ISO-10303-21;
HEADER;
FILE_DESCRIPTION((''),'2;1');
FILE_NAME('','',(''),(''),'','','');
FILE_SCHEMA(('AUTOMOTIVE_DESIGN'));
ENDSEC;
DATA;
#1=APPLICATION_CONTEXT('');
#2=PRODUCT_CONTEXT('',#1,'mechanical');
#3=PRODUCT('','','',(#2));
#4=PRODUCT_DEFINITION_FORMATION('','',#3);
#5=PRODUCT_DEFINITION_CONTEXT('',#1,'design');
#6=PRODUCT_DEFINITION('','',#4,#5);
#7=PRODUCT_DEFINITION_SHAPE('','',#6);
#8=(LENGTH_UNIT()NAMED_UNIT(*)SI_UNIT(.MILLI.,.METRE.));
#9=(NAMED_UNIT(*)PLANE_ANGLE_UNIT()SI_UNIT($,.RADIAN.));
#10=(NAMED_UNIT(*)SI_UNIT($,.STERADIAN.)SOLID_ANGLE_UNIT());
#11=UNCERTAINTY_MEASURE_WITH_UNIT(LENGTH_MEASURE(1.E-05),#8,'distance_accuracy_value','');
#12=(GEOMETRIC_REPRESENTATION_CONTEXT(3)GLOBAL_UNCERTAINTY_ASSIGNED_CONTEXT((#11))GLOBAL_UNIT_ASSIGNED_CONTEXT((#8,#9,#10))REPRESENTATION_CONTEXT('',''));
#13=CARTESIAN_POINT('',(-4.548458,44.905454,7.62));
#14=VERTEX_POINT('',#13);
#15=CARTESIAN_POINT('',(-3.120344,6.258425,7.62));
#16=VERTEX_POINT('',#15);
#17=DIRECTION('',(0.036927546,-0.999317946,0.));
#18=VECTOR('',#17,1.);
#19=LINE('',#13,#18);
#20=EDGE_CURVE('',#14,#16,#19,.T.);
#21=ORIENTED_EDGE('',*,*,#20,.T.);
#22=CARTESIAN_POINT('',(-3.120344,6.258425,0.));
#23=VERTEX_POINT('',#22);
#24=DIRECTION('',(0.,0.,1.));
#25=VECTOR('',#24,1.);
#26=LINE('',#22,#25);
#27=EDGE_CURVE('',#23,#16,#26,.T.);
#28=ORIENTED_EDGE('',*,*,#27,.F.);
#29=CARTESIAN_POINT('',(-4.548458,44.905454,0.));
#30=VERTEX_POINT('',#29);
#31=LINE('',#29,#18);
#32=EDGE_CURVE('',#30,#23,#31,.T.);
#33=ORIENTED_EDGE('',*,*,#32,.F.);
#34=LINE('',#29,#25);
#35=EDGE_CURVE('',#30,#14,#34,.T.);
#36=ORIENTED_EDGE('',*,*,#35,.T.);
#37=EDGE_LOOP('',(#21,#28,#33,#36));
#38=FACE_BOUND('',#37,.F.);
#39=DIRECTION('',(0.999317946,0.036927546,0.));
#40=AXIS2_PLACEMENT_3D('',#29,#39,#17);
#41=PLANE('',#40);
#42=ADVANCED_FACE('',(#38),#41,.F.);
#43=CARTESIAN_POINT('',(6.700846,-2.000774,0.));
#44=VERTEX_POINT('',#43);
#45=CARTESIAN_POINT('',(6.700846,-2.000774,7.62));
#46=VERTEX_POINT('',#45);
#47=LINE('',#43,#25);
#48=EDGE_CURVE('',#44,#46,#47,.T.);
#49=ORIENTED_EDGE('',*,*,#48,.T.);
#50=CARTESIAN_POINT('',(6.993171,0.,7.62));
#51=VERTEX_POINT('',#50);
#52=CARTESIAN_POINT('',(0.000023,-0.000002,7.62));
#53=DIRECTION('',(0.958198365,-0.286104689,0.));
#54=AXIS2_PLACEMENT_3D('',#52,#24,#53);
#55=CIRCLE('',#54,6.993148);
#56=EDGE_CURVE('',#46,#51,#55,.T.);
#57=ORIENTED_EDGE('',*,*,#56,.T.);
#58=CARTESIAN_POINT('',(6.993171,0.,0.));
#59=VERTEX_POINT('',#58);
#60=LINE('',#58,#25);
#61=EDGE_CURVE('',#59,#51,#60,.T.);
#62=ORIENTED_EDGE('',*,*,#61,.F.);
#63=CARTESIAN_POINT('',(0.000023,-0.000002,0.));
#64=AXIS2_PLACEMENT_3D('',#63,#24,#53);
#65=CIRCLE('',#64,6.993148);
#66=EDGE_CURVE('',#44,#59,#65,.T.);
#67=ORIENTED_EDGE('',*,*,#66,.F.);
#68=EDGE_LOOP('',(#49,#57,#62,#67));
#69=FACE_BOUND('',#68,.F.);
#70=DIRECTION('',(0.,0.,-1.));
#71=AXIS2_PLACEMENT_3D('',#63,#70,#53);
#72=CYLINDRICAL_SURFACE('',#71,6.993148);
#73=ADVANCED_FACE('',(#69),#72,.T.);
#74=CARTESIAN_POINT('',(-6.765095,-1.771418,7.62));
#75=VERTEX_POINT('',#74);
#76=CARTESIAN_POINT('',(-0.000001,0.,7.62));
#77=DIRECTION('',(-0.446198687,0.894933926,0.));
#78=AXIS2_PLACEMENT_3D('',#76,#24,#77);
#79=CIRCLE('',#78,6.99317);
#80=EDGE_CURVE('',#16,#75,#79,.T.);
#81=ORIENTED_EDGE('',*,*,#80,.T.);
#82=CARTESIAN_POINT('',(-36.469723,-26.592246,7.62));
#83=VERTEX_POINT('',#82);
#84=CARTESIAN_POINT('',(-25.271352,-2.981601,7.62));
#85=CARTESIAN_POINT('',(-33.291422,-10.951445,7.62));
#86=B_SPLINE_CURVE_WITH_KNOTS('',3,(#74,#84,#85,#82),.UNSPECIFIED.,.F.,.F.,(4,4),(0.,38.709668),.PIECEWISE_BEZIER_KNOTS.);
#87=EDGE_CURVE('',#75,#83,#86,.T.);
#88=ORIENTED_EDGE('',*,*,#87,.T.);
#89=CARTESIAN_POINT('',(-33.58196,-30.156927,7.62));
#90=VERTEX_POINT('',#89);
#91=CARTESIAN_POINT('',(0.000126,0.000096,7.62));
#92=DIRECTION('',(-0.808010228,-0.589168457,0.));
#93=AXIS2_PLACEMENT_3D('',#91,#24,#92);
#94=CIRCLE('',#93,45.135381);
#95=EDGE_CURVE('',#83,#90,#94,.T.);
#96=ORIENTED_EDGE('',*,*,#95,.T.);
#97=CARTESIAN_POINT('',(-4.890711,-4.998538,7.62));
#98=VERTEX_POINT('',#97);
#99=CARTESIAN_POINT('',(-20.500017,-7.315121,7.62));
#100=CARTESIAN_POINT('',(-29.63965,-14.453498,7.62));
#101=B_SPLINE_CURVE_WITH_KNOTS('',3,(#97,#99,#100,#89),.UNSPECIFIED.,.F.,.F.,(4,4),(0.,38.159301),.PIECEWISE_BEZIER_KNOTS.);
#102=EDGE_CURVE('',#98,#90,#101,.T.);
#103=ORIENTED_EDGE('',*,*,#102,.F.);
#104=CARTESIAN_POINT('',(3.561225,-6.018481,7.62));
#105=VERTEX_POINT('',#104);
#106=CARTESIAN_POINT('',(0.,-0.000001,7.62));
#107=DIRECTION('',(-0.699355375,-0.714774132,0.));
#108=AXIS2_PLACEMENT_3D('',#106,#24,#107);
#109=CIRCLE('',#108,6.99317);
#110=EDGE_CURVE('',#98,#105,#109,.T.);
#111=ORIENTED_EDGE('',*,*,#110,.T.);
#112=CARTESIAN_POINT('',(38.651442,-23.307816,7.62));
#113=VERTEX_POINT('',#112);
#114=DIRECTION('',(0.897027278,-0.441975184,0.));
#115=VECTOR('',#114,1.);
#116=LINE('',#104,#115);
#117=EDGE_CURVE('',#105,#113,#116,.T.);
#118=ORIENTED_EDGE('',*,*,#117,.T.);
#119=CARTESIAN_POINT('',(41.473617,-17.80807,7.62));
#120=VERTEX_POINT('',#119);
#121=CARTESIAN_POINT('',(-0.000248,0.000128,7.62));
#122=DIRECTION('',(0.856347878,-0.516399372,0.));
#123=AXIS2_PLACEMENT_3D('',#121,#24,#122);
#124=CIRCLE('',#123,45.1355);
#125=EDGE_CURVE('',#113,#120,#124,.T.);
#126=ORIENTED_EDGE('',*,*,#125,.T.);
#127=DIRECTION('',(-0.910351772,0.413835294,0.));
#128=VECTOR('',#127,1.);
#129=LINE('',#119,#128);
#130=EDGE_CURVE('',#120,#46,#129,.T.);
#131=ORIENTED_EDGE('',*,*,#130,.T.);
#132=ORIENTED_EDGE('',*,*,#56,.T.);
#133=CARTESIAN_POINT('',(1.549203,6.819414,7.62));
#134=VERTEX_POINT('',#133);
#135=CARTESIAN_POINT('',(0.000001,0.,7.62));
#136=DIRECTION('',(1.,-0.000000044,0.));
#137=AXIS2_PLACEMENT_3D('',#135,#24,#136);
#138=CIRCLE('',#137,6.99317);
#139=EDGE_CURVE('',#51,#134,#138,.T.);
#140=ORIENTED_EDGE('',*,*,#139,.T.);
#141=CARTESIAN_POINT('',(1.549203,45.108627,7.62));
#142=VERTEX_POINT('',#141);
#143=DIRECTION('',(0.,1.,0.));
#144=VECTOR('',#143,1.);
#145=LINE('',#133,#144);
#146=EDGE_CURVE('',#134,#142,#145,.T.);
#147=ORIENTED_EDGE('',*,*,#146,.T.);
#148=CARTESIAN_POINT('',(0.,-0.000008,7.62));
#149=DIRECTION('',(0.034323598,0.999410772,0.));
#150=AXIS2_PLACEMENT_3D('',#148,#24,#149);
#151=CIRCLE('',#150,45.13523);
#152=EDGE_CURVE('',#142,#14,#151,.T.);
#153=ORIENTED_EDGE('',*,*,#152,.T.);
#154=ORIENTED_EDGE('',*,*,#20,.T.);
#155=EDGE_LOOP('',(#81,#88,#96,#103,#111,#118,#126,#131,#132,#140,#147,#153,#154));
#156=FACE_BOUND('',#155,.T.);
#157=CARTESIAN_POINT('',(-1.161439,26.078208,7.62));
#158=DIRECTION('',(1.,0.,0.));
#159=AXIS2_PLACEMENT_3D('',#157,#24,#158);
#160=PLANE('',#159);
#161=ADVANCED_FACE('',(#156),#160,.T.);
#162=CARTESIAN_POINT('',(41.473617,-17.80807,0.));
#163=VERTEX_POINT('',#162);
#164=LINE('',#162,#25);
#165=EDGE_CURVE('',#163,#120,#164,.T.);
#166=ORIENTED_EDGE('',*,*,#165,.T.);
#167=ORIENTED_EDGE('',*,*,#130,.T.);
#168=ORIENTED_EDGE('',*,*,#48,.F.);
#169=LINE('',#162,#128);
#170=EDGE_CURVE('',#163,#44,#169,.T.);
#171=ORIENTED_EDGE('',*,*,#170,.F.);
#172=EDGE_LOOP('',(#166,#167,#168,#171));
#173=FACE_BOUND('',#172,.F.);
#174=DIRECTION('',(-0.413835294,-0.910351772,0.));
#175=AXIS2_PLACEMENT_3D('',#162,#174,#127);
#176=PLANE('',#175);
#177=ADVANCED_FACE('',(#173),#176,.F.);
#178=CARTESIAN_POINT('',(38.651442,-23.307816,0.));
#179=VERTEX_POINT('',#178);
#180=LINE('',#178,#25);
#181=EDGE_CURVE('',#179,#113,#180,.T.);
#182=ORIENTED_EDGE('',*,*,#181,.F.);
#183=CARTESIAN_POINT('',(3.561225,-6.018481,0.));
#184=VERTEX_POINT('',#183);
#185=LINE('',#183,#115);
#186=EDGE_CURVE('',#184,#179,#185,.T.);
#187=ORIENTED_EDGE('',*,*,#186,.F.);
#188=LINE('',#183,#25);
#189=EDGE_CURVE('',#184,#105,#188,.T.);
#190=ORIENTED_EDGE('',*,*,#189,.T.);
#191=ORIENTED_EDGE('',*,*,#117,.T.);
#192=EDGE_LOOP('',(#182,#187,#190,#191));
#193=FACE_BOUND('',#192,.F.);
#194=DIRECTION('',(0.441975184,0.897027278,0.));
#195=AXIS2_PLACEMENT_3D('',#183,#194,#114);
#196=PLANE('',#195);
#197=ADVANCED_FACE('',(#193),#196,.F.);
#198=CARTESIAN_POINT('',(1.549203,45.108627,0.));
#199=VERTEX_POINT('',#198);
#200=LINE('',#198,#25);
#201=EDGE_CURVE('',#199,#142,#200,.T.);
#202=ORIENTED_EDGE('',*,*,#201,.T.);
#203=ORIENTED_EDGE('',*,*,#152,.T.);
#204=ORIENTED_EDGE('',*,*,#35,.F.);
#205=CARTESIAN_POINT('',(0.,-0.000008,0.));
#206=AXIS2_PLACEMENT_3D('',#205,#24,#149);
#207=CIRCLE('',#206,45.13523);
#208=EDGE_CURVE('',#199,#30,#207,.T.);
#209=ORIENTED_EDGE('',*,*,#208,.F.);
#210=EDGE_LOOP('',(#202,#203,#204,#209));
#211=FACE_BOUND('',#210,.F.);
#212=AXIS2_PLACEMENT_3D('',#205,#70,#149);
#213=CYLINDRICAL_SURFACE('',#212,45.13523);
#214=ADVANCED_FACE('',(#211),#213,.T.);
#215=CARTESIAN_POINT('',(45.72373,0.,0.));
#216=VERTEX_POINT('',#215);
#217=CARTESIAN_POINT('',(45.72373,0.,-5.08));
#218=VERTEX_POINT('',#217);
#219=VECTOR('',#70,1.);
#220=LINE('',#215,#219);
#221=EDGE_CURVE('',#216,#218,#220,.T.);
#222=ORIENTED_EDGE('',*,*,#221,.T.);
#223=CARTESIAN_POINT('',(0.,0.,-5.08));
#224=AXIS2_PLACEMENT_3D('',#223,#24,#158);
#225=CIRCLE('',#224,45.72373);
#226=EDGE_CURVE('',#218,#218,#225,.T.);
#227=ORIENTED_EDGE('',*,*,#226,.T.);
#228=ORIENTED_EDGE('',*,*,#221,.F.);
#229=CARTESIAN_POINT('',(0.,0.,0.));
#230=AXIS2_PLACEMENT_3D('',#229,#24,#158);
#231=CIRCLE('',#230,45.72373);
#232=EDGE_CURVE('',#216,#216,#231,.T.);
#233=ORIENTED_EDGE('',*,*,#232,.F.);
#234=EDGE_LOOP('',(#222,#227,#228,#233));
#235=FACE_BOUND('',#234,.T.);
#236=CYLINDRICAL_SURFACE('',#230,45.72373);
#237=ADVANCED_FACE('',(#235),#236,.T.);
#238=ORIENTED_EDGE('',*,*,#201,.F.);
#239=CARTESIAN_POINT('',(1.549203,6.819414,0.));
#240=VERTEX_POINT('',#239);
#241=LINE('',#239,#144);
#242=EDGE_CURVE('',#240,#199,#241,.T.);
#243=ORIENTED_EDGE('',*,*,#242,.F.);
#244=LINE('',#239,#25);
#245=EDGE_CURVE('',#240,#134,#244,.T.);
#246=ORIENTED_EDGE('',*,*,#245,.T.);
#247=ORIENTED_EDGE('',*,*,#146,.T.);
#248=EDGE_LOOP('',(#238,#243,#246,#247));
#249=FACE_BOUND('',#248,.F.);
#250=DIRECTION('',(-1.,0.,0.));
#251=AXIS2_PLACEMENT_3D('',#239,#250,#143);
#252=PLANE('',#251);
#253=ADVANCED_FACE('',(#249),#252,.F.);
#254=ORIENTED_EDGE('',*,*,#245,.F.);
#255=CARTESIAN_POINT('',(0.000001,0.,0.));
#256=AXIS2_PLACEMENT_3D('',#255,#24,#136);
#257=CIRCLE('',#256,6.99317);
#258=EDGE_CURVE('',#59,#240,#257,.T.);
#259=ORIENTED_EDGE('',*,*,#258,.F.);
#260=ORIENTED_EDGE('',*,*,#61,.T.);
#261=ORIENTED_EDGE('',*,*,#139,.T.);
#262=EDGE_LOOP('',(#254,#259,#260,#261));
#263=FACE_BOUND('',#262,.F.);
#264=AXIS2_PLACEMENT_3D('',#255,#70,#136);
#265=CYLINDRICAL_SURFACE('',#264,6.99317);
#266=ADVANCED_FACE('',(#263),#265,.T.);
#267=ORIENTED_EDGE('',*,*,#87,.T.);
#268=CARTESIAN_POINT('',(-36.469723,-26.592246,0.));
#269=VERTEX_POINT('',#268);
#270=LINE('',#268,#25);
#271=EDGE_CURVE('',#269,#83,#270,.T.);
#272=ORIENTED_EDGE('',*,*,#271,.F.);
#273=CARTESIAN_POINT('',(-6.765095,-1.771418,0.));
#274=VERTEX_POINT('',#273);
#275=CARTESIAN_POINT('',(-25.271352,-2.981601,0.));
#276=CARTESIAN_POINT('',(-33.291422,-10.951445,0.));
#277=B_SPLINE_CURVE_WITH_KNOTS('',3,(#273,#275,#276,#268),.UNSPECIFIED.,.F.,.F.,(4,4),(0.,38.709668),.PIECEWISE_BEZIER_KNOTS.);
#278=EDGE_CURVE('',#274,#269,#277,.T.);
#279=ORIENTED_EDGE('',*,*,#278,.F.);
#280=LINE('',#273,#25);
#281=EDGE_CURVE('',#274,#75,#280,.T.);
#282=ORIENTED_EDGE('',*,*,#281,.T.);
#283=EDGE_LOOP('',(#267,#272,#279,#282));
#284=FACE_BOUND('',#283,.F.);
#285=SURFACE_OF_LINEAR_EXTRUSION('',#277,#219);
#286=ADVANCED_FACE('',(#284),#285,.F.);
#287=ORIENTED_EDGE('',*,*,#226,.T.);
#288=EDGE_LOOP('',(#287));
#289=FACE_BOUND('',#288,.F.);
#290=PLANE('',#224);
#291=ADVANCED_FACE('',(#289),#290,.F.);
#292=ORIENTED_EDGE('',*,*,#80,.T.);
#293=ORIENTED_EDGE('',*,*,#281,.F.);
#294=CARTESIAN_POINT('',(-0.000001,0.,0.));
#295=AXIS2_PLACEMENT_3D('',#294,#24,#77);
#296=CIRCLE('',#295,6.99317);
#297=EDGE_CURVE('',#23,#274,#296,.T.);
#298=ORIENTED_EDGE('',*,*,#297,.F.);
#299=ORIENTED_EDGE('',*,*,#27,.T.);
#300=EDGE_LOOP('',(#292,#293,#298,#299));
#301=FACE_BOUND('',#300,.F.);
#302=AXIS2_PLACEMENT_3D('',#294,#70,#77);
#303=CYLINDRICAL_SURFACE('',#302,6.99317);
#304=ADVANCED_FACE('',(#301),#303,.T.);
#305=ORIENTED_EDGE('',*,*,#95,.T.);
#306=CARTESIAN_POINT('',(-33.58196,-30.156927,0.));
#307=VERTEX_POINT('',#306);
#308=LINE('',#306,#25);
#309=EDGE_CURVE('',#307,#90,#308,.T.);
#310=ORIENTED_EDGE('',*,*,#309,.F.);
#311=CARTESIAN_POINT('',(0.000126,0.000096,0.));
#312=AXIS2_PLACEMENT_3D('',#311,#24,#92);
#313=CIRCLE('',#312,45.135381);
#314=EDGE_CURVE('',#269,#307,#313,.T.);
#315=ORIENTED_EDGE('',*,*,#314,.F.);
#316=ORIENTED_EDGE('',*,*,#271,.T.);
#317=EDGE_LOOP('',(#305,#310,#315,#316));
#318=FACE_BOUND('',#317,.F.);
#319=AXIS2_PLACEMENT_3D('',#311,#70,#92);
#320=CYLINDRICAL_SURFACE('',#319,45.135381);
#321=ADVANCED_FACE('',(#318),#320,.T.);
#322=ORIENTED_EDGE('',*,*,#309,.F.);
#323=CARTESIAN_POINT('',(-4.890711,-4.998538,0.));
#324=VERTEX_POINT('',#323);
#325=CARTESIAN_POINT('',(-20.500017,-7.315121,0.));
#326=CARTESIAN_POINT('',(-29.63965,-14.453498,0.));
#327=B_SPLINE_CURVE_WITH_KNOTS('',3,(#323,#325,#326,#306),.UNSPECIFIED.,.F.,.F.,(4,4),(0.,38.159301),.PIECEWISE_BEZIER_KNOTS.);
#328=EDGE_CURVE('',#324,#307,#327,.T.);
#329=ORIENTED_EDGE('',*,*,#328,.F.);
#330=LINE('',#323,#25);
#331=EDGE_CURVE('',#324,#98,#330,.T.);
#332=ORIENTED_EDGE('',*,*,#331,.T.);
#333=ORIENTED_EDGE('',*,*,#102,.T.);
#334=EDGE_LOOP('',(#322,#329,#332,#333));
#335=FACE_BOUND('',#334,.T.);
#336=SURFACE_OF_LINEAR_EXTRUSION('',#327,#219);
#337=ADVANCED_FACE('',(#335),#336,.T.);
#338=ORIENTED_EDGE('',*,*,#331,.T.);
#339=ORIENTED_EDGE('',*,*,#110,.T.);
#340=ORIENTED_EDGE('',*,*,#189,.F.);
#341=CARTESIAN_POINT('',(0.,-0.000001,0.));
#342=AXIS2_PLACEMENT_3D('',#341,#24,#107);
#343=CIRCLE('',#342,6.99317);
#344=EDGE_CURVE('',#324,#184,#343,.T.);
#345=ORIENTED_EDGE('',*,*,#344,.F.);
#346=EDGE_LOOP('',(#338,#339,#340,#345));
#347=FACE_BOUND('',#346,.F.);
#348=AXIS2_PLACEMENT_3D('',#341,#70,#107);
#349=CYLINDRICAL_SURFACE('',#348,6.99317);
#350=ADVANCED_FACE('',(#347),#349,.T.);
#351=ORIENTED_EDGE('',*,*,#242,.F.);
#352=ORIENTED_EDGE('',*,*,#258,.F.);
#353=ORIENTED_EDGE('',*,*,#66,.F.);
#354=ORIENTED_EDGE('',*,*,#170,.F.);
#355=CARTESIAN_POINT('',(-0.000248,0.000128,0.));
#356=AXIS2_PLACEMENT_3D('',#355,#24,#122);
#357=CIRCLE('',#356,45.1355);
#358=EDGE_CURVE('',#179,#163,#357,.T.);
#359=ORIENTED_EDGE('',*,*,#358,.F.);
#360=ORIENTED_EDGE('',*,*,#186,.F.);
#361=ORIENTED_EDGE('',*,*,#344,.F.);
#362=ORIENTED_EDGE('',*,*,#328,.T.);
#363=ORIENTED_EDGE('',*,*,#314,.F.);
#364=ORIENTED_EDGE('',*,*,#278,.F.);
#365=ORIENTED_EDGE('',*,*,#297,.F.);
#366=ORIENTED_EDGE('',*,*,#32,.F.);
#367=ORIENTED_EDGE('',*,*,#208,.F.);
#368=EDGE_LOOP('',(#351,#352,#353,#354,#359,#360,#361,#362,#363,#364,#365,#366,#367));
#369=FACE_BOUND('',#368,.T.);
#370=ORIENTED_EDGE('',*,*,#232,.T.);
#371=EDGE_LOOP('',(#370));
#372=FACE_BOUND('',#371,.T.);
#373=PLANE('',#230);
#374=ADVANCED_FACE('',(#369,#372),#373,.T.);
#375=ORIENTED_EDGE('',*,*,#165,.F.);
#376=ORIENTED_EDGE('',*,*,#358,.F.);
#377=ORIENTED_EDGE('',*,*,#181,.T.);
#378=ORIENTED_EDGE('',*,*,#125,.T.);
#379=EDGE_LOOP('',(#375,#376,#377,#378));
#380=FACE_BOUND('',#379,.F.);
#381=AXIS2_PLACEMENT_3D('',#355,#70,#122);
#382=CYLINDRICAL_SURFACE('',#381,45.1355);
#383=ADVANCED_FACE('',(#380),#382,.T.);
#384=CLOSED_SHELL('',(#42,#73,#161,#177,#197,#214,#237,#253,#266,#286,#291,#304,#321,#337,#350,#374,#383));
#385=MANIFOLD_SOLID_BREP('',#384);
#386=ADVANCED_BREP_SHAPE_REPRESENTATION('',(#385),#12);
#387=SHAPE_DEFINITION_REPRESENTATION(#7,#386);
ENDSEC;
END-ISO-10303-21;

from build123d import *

# Parameters (mm, degrees)
F1_DEPTH = 7.62
F2_R     = 45.72373
F3_DEPTH = 5.08


with BuildPart() as f1:
    # F0 (on Top) → F1 (new body)
    with BuildSketch(Plane.XY):
        with BuildLine():
            ThreePointArc((-3.120344, 6.258425), (-0.834145, 6.943244), (1.549203, 6.819414))
            Line((1.549203, 6.819414), (1.549203, 45.108627))
            ThreePointArc((1.549203, 45.108627), (-1.503064, 45.110188), (-4.548458, 44.905454))
            Line((-4.548458, 44.905454), (-3.120344, 6.258425))
        make_face()
        with BuildLine():
            ThreePointArc((-4.890711, -4.998538), (-6.047151, -3.512321), (-6.765095, -1.771418))
            add(Edge.make_bspline(
                [(-6.765095, -1.771418), (-25.271352, -2.981601), (-33.291422, -10.951445), (-36.469723, -26.592246)],
                knots=[0, 0, 0, 0, 38.709668, 38.709668, 38.709668, 38.709668], degree=3))
            ThreePointArc((-36.469723, -26.592246), (-35.071161, -28.411299), (-33.58196, -30.156927))
            add(Edge.make_bspline(
                [(-4.890711, -4.998538), (-20.500017, -7.315121), (-29.63965, -14.453498), (-33.58196, -30.156927)],
                knots=[0, 0, 0, 0, 38.159301, 38.159301, 38.159301, 38.159301], degree=3))
        make_face()
        with BuildLine():
            Line((41.473617, -17.80807), (6.700846, -2.000774))
            ThreePointArc((6.700846, -2.000774), (5.510265, -4.305974), (3.561225, -6.018481))
            Line((3.561225, -6.018481), (38.651442, -23.307816))
            ThreePointArc((38.651442, -23.307816), (40.156793, -20.606314), (41.473617, -17.80807))
        make_face()
        with BuildLine():
            ThreePointArc((6.700846, -2.000774), (6.919704, -1.011008), (6.993171, 0))
            ThreePointArc((6.993171, 0), (5.465267, 4.362946), (1.549203, 6.819414))
            ThreePointArc((1.549203, 6.819414), (-0.834145, 6.943244), (-3.120344, 6.258425))
            ThreePointArc((-3.120344, 6.258425), (-6.367894, 2.890391), (-6.765095, -1.771418))
            ThreePointArc((-6.765095, -1.771418), (-6.047151, -3.512321), (-4.890711, -4.998538))
            ThreePointArc((-4.890711, -4.998538), (-0.837827, -6.942801), (3.561225, -6.018481))
            ThreePointArc((3.561225, -6.018481), (5.510265, -4.305974), (6.700846, -2.000774))
        make_face()
    extrude(amount=F1_DEPTH)

    # F2 (on Top) → F3 (join)
    with BuildSketch(Plane.XY):
        Circle(F2_R)
    extrude(amount=-F3_DEPTH)


solid = f1.part
